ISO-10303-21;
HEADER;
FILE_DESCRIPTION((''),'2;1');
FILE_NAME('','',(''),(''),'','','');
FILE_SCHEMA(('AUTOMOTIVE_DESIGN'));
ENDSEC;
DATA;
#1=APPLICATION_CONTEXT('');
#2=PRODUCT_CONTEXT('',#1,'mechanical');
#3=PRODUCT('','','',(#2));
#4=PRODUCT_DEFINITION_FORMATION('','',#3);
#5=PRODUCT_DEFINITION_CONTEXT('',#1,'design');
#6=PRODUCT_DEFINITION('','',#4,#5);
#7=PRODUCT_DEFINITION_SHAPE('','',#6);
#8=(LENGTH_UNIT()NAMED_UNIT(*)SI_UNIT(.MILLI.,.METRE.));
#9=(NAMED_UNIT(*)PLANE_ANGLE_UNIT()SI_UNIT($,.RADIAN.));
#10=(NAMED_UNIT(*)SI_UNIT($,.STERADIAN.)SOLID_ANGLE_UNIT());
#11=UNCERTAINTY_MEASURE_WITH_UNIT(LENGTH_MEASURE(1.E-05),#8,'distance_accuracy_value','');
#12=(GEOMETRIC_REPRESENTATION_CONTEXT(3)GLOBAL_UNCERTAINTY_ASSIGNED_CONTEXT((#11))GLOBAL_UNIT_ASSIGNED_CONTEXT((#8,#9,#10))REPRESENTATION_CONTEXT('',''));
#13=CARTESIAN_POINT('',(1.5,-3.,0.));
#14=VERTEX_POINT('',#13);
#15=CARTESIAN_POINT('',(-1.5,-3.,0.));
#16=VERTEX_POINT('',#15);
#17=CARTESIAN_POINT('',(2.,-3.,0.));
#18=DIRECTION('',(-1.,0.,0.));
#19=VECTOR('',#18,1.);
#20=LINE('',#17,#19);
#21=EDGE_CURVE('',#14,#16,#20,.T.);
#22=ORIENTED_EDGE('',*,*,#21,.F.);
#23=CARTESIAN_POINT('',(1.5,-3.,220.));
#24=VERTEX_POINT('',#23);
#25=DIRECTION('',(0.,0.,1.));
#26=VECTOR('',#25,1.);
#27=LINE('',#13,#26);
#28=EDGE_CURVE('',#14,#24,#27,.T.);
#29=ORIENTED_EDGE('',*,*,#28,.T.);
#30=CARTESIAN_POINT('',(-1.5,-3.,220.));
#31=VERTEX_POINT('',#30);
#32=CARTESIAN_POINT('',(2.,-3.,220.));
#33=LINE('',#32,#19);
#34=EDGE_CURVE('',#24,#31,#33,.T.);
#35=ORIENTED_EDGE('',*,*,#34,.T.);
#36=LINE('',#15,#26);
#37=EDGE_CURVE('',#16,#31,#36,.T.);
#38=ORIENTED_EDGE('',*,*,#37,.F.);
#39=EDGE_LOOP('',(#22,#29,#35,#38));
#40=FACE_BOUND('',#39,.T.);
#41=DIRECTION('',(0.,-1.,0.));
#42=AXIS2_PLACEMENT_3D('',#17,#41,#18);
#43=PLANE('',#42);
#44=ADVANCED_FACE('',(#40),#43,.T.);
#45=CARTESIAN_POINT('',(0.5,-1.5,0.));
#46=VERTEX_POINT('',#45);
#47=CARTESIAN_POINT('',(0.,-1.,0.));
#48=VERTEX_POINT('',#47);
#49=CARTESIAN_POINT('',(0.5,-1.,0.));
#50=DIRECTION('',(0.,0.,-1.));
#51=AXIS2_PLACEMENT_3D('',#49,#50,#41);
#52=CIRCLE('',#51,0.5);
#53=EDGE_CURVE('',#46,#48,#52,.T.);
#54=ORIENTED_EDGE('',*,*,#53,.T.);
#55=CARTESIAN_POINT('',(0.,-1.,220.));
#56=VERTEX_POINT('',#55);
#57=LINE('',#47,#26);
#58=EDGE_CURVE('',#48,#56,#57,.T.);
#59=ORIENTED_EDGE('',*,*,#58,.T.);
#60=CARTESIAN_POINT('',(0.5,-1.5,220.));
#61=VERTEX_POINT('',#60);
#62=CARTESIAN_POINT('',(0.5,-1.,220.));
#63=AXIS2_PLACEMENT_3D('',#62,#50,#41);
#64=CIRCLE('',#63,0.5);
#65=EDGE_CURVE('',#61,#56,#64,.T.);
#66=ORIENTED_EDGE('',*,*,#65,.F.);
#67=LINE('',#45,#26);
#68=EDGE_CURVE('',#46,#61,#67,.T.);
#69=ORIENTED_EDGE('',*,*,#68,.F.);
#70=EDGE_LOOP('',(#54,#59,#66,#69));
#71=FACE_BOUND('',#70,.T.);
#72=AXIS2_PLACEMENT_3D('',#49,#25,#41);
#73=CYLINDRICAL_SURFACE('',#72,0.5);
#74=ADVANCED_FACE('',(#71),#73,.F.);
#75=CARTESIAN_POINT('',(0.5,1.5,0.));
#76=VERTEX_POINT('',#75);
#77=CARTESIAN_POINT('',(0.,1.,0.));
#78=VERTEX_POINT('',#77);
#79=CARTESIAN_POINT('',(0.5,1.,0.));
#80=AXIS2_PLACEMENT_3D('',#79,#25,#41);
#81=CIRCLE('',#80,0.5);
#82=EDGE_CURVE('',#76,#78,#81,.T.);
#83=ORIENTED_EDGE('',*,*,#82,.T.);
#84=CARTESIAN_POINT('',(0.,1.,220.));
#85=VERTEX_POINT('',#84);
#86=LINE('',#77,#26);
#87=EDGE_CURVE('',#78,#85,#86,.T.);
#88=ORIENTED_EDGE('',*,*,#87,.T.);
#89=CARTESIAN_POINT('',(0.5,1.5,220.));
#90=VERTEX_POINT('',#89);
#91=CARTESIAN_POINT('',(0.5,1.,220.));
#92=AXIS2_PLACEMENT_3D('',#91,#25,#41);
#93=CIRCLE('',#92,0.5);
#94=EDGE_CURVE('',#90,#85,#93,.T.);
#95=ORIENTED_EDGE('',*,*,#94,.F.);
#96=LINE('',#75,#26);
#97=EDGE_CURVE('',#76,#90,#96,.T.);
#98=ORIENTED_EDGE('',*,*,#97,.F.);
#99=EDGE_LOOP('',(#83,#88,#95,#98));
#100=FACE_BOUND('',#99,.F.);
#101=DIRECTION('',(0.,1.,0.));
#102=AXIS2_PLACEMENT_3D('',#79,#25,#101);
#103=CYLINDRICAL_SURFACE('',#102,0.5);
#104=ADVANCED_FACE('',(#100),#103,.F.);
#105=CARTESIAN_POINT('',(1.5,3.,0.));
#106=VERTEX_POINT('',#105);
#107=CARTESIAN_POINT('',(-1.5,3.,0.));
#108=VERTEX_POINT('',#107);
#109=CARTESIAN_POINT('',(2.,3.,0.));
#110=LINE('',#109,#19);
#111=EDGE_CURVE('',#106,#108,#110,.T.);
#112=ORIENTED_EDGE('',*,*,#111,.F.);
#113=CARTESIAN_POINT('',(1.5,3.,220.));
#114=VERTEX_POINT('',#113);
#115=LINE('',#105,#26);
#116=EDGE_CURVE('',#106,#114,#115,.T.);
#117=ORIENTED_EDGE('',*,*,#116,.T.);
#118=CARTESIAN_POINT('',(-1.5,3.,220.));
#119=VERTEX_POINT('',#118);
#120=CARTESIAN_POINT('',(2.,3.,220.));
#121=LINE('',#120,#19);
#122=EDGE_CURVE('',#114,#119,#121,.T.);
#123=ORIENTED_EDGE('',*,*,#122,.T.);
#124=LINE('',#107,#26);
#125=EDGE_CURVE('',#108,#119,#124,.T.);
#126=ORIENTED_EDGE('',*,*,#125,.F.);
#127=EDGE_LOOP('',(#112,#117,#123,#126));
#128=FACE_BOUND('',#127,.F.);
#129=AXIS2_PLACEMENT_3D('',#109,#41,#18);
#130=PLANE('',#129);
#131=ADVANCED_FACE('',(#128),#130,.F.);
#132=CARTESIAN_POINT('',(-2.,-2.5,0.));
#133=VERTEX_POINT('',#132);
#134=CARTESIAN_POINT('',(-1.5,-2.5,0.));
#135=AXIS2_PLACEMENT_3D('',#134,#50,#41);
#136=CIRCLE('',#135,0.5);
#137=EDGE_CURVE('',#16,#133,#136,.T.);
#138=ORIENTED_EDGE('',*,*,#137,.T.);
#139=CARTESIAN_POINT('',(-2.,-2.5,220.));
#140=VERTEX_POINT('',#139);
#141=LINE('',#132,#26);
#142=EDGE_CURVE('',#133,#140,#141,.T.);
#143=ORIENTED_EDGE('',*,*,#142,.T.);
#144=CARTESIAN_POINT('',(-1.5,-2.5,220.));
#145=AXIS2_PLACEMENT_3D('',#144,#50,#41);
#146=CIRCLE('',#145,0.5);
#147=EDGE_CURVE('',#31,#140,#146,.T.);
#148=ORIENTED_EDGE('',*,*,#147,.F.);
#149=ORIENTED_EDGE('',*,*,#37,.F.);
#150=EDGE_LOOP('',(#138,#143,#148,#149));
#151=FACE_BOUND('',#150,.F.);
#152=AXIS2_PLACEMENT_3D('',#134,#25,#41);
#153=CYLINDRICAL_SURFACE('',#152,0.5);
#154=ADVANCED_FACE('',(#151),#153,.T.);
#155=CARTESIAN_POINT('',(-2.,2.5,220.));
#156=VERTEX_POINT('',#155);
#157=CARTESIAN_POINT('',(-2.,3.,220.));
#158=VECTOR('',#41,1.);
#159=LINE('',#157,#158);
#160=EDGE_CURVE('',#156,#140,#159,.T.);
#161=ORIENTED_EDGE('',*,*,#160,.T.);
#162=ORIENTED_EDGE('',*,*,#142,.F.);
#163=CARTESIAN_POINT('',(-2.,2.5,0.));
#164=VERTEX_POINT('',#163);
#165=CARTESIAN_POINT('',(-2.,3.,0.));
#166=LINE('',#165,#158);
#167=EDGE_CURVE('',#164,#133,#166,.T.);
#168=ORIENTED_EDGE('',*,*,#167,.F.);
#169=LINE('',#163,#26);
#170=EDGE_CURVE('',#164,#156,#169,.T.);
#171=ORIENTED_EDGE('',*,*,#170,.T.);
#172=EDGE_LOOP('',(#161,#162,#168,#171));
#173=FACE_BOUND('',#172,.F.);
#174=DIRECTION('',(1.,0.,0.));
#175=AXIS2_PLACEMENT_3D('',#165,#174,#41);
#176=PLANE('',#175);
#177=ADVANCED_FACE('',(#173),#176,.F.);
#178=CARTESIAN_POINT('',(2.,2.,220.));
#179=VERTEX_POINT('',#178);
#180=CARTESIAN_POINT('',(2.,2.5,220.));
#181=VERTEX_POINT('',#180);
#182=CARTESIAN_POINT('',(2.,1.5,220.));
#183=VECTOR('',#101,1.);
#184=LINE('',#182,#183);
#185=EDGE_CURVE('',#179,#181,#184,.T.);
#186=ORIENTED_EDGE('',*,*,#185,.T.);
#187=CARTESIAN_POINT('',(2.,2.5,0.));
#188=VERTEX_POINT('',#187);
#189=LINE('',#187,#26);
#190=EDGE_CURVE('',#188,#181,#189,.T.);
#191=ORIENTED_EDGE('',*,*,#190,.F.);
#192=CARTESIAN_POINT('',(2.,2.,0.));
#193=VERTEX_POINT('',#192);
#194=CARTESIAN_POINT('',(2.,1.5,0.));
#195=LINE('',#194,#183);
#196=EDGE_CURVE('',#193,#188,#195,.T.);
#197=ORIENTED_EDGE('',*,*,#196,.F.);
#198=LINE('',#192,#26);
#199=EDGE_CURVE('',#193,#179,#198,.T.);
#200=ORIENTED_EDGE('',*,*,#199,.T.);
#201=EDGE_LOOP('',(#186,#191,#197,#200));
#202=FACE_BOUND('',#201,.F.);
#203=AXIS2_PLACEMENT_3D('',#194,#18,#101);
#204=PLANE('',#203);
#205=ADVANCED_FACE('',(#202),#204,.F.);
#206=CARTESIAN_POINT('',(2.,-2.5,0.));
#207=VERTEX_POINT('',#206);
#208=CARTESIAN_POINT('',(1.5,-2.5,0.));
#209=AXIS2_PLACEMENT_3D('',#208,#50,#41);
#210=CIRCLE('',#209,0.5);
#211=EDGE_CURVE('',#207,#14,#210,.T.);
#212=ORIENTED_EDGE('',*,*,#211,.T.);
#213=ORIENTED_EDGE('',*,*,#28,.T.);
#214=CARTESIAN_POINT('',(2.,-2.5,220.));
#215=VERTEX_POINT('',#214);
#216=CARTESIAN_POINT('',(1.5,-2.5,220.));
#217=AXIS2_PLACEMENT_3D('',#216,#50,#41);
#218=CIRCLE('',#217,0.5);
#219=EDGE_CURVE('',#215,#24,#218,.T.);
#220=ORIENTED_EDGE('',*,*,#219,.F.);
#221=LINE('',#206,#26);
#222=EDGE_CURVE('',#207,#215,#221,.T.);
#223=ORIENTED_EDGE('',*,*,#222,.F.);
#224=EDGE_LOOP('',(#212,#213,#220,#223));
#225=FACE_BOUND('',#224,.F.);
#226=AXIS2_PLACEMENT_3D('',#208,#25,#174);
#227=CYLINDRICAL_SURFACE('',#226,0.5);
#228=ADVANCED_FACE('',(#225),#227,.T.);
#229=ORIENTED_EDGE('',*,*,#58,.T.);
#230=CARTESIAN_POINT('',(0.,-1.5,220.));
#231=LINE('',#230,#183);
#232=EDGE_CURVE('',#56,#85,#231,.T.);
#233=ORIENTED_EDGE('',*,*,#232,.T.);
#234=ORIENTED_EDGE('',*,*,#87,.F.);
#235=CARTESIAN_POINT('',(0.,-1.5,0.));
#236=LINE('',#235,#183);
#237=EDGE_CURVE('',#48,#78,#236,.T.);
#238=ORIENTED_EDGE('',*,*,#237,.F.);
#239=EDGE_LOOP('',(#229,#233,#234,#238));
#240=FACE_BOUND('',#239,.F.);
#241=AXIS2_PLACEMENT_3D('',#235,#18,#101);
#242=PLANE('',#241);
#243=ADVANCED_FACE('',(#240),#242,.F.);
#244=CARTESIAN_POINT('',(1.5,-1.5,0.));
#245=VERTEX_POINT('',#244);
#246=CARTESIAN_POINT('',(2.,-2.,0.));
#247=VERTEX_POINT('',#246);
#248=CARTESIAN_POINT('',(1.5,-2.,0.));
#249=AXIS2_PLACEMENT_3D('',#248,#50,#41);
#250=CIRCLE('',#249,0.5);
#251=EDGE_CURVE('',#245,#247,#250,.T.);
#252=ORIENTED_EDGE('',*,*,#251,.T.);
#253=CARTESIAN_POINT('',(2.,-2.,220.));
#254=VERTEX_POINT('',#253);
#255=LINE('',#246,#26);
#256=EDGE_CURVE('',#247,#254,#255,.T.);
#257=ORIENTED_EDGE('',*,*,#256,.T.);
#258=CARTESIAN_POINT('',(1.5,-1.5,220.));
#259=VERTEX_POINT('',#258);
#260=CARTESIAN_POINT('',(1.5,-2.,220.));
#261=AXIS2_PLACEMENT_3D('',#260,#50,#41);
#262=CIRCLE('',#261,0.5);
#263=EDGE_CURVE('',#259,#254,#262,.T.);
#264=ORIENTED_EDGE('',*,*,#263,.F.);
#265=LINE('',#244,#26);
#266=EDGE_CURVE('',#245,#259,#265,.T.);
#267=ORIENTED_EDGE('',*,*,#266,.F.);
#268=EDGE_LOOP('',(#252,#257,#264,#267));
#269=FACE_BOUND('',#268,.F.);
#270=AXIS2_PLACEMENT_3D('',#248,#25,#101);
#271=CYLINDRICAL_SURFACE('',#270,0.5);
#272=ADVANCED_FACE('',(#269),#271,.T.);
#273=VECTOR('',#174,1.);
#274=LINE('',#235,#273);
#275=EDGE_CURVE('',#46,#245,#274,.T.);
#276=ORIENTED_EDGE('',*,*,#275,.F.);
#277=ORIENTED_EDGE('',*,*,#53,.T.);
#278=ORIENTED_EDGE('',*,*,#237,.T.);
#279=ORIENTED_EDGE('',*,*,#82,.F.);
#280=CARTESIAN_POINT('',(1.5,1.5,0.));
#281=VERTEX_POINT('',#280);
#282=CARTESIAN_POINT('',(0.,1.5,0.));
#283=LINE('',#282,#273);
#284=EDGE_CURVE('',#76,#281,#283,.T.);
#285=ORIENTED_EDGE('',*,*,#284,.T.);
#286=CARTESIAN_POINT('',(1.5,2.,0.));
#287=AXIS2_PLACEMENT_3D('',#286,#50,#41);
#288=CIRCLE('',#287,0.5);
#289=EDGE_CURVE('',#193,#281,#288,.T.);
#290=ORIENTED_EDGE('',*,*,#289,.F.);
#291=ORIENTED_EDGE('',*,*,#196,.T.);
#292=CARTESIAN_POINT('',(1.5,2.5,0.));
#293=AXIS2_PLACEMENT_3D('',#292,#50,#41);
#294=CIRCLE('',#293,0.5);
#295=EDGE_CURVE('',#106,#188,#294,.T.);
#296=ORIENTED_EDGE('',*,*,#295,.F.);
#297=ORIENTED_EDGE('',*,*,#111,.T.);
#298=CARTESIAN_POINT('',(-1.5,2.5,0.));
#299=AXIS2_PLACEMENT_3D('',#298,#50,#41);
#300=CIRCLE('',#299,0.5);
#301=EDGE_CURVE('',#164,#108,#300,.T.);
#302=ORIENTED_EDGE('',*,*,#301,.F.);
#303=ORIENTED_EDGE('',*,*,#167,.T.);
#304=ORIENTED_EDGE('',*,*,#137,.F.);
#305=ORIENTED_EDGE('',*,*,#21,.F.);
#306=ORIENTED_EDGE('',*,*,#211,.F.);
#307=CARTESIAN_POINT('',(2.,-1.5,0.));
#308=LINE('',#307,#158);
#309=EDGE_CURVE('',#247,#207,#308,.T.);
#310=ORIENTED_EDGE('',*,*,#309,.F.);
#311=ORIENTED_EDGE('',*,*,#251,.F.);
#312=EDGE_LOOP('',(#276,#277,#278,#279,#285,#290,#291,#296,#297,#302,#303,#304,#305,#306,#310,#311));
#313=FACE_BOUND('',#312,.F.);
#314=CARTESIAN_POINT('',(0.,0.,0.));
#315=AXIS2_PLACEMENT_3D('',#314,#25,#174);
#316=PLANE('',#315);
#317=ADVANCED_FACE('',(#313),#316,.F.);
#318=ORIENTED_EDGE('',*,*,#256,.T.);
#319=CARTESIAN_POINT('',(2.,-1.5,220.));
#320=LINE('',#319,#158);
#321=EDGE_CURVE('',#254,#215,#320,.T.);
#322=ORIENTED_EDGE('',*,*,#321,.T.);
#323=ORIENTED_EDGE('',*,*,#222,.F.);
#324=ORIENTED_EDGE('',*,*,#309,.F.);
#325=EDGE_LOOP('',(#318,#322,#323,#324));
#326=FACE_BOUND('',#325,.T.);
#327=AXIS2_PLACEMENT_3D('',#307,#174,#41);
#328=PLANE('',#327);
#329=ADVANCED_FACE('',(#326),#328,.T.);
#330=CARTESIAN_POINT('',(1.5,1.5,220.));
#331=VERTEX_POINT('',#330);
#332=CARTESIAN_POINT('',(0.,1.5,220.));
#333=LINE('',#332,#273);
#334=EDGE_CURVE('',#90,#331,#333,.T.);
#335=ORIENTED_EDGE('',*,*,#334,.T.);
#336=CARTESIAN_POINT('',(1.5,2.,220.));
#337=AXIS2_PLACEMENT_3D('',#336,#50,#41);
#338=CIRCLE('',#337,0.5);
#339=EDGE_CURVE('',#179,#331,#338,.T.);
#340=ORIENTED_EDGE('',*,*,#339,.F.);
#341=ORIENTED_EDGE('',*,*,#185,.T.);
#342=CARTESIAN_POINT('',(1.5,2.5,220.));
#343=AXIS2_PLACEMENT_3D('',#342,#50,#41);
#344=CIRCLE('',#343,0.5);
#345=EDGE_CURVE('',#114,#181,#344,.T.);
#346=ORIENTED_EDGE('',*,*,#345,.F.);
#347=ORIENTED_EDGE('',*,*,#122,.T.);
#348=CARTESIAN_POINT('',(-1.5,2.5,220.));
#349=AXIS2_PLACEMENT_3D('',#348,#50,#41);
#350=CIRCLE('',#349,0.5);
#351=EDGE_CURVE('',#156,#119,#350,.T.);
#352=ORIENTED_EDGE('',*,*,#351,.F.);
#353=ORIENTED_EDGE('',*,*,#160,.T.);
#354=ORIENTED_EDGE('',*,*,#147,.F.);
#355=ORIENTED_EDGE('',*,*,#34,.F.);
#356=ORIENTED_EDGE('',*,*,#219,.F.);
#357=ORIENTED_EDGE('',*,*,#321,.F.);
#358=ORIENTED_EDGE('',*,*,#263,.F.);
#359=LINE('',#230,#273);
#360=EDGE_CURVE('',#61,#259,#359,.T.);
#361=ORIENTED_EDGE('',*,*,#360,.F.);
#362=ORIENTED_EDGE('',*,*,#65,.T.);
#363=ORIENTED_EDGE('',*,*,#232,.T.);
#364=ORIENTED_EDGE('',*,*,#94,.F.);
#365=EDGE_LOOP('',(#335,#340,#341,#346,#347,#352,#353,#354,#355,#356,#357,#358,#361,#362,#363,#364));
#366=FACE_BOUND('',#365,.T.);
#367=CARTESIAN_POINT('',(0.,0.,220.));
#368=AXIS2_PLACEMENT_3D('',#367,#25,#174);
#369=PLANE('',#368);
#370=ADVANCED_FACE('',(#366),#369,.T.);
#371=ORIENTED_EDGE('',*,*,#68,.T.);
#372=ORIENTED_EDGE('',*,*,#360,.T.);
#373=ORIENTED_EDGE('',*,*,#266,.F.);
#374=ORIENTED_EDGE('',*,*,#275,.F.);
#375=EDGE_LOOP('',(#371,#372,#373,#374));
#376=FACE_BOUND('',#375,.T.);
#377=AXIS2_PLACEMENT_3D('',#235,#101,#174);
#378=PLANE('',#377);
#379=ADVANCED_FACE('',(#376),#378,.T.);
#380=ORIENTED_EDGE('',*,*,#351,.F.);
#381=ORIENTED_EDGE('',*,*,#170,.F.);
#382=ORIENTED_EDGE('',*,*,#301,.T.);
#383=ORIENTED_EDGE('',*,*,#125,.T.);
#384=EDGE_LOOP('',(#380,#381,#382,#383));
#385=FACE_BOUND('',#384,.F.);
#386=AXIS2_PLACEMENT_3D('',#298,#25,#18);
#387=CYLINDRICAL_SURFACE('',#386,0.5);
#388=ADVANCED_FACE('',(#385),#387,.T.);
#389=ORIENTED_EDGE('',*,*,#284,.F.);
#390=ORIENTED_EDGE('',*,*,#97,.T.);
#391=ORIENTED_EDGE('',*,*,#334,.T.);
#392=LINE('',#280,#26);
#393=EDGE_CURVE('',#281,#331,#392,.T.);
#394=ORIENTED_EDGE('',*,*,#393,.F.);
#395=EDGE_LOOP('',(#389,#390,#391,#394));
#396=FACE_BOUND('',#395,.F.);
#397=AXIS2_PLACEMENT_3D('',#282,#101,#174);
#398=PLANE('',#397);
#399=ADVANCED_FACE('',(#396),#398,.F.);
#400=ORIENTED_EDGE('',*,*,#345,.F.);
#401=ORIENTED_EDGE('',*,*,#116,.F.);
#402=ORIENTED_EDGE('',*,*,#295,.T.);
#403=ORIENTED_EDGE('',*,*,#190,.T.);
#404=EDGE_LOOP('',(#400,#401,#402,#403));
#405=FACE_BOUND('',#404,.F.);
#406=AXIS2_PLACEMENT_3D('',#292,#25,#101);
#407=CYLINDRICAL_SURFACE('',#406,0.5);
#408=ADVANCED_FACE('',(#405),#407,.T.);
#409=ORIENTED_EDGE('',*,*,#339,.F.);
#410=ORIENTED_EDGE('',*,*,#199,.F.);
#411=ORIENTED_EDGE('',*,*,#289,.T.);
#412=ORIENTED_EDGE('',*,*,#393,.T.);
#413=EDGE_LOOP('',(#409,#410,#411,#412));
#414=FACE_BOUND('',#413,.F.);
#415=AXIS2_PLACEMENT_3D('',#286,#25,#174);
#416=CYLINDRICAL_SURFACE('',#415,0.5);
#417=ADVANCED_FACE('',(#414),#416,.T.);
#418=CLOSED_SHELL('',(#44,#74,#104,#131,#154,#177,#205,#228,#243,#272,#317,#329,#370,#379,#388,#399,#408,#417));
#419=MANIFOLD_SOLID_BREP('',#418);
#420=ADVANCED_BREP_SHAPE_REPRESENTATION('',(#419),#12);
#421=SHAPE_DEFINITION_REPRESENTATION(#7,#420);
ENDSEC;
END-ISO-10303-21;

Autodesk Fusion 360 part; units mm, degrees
sketch "Sketch1" plane through (0, 0, 0) normal (0, 0, 1) x (1, 0, 0)
  line L0 (0, -1.5) -> (0, 1.5)
  line L1 (0, 1.5) -> (2, 1.5)
  line L2 (2, 1.5) -> (2, 3)
  line L3 (2, 3) -> (-2, 3)
  line L4 (-2, 3) -> (-2, -3)
  line L5 (0, -1.5) -> (2, -1.5)
  line L6 (2, -3) -> (-2, -3)
  line L7 (2, -1.5) -> (2, -3)
extrude "Extrude1" add sketch "Sketch1" along normal blind 220
fillet "Fillet1" radius 0.5 8 edges at (2, -3, 110) (-2, -3, 110) (2, -1.5, 110) (0, -1.5, 110) (0, 1.5, 110) (2, 1.5, 110) (2, 3, 110) (-2, 3, 110)
